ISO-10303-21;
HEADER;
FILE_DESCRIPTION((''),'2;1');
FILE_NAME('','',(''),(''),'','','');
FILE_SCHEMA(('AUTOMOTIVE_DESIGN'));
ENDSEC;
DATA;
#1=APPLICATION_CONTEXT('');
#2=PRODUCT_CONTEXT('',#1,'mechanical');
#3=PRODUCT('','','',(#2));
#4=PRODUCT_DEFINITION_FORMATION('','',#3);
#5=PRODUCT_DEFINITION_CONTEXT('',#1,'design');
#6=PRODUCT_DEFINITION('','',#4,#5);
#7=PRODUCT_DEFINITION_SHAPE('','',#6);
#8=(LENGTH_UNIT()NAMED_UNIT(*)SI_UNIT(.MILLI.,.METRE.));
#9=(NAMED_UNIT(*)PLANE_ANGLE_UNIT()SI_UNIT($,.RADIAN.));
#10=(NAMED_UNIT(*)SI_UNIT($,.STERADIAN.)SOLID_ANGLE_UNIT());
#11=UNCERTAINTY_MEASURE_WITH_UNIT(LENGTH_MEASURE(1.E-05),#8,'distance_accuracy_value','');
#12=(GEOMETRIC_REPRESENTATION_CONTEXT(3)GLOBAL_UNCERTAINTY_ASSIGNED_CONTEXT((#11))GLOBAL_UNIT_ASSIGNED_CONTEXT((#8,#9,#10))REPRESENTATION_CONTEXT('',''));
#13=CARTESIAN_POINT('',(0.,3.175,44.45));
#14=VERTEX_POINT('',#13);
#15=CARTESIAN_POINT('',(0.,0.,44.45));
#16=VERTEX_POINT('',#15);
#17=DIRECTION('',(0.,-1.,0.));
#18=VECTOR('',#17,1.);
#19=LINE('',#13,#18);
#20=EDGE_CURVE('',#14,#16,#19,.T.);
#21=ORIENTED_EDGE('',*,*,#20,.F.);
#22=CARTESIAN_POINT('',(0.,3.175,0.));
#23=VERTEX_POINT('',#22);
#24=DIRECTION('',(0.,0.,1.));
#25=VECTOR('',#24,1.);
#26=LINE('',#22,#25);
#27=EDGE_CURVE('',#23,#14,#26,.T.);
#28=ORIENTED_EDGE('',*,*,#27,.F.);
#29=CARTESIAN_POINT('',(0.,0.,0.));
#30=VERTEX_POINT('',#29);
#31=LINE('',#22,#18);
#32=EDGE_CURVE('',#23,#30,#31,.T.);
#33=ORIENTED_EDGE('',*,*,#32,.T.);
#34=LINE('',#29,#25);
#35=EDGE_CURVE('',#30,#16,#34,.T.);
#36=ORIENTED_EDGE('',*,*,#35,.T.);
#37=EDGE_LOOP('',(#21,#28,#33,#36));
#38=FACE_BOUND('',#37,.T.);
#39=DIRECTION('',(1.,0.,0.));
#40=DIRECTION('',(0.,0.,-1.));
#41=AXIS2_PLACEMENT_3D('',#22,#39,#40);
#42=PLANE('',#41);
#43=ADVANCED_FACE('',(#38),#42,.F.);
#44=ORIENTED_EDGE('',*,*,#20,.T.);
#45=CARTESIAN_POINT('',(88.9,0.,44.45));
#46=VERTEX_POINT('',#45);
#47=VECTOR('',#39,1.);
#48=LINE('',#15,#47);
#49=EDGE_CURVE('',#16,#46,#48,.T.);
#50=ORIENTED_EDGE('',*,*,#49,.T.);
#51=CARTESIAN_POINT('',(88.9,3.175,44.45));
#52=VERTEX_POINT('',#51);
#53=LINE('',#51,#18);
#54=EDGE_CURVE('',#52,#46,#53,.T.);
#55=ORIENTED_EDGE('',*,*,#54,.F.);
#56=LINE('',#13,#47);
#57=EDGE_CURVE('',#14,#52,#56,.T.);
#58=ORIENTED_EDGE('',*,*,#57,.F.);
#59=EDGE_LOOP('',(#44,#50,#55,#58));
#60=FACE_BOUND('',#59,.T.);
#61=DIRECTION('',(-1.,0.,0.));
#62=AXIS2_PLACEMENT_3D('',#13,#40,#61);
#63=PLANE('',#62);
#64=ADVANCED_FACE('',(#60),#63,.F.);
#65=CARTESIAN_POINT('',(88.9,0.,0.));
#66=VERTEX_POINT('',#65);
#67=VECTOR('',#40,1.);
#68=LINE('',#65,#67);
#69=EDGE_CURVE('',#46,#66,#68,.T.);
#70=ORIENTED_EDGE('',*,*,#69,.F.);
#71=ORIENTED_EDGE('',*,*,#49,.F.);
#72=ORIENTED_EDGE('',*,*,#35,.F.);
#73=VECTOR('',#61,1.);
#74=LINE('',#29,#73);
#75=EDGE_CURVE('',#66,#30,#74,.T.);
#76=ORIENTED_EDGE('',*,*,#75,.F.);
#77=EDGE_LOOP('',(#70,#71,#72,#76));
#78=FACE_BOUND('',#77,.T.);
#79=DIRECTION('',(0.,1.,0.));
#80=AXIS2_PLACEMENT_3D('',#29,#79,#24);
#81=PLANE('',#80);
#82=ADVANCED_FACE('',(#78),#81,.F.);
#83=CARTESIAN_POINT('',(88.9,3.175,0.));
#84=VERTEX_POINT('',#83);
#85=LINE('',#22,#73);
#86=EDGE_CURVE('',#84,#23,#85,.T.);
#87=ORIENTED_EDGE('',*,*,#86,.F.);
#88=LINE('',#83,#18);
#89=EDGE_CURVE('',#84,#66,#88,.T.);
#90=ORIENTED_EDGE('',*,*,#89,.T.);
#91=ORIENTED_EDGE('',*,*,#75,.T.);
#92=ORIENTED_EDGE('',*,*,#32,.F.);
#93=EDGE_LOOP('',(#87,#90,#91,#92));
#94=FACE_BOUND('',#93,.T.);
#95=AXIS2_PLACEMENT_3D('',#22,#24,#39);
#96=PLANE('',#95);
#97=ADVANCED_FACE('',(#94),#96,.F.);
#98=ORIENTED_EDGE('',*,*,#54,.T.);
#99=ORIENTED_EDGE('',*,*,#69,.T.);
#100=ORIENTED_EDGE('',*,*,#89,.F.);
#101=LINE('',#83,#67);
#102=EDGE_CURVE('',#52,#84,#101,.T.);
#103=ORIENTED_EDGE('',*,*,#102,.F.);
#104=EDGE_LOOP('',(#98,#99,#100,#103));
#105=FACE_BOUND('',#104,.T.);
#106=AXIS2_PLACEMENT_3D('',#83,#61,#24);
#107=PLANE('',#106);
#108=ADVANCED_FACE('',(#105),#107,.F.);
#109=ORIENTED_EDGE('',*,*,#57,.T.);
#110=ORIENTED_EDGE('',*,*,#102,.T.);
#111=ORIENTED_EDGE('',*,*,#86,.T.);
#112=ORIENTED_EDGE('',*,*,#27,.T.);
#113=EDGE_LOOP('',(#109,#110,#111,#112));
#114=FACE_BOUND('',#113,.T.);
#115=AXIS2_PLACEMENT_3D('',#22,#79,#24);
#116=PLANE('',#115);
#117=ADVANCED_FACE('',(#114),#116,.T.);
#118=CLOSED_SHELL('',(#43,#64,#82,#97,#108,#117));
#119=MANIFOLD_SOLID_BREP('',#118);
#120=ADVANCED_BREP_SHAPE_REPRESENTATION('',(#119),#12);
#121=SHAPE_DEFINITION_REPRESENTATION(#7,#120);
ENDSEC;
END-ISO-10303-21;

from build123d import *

# Parameters (mm, degrees)
SKETCH1_W           = 88.9
SKETCH1_H           = 44.45
BOSS_EXTRUDE1_DEPTH = 3.175


with BuildPart() as part:
    # Sketch1 → Boss-Extrude1 (new body)
    with BuildSketch(Plane(origin=(0, 0, 0), x_dir=(1, 0, 0), z_dir=(0, 1, 0))):
        with Locations((44.45, -22.225)):
            Rectangle(SKETCH1_W, SKETCH1_H)
    extrude(amount=BOSS_EXTRUDE1_DEPTH)


solid = part.part
